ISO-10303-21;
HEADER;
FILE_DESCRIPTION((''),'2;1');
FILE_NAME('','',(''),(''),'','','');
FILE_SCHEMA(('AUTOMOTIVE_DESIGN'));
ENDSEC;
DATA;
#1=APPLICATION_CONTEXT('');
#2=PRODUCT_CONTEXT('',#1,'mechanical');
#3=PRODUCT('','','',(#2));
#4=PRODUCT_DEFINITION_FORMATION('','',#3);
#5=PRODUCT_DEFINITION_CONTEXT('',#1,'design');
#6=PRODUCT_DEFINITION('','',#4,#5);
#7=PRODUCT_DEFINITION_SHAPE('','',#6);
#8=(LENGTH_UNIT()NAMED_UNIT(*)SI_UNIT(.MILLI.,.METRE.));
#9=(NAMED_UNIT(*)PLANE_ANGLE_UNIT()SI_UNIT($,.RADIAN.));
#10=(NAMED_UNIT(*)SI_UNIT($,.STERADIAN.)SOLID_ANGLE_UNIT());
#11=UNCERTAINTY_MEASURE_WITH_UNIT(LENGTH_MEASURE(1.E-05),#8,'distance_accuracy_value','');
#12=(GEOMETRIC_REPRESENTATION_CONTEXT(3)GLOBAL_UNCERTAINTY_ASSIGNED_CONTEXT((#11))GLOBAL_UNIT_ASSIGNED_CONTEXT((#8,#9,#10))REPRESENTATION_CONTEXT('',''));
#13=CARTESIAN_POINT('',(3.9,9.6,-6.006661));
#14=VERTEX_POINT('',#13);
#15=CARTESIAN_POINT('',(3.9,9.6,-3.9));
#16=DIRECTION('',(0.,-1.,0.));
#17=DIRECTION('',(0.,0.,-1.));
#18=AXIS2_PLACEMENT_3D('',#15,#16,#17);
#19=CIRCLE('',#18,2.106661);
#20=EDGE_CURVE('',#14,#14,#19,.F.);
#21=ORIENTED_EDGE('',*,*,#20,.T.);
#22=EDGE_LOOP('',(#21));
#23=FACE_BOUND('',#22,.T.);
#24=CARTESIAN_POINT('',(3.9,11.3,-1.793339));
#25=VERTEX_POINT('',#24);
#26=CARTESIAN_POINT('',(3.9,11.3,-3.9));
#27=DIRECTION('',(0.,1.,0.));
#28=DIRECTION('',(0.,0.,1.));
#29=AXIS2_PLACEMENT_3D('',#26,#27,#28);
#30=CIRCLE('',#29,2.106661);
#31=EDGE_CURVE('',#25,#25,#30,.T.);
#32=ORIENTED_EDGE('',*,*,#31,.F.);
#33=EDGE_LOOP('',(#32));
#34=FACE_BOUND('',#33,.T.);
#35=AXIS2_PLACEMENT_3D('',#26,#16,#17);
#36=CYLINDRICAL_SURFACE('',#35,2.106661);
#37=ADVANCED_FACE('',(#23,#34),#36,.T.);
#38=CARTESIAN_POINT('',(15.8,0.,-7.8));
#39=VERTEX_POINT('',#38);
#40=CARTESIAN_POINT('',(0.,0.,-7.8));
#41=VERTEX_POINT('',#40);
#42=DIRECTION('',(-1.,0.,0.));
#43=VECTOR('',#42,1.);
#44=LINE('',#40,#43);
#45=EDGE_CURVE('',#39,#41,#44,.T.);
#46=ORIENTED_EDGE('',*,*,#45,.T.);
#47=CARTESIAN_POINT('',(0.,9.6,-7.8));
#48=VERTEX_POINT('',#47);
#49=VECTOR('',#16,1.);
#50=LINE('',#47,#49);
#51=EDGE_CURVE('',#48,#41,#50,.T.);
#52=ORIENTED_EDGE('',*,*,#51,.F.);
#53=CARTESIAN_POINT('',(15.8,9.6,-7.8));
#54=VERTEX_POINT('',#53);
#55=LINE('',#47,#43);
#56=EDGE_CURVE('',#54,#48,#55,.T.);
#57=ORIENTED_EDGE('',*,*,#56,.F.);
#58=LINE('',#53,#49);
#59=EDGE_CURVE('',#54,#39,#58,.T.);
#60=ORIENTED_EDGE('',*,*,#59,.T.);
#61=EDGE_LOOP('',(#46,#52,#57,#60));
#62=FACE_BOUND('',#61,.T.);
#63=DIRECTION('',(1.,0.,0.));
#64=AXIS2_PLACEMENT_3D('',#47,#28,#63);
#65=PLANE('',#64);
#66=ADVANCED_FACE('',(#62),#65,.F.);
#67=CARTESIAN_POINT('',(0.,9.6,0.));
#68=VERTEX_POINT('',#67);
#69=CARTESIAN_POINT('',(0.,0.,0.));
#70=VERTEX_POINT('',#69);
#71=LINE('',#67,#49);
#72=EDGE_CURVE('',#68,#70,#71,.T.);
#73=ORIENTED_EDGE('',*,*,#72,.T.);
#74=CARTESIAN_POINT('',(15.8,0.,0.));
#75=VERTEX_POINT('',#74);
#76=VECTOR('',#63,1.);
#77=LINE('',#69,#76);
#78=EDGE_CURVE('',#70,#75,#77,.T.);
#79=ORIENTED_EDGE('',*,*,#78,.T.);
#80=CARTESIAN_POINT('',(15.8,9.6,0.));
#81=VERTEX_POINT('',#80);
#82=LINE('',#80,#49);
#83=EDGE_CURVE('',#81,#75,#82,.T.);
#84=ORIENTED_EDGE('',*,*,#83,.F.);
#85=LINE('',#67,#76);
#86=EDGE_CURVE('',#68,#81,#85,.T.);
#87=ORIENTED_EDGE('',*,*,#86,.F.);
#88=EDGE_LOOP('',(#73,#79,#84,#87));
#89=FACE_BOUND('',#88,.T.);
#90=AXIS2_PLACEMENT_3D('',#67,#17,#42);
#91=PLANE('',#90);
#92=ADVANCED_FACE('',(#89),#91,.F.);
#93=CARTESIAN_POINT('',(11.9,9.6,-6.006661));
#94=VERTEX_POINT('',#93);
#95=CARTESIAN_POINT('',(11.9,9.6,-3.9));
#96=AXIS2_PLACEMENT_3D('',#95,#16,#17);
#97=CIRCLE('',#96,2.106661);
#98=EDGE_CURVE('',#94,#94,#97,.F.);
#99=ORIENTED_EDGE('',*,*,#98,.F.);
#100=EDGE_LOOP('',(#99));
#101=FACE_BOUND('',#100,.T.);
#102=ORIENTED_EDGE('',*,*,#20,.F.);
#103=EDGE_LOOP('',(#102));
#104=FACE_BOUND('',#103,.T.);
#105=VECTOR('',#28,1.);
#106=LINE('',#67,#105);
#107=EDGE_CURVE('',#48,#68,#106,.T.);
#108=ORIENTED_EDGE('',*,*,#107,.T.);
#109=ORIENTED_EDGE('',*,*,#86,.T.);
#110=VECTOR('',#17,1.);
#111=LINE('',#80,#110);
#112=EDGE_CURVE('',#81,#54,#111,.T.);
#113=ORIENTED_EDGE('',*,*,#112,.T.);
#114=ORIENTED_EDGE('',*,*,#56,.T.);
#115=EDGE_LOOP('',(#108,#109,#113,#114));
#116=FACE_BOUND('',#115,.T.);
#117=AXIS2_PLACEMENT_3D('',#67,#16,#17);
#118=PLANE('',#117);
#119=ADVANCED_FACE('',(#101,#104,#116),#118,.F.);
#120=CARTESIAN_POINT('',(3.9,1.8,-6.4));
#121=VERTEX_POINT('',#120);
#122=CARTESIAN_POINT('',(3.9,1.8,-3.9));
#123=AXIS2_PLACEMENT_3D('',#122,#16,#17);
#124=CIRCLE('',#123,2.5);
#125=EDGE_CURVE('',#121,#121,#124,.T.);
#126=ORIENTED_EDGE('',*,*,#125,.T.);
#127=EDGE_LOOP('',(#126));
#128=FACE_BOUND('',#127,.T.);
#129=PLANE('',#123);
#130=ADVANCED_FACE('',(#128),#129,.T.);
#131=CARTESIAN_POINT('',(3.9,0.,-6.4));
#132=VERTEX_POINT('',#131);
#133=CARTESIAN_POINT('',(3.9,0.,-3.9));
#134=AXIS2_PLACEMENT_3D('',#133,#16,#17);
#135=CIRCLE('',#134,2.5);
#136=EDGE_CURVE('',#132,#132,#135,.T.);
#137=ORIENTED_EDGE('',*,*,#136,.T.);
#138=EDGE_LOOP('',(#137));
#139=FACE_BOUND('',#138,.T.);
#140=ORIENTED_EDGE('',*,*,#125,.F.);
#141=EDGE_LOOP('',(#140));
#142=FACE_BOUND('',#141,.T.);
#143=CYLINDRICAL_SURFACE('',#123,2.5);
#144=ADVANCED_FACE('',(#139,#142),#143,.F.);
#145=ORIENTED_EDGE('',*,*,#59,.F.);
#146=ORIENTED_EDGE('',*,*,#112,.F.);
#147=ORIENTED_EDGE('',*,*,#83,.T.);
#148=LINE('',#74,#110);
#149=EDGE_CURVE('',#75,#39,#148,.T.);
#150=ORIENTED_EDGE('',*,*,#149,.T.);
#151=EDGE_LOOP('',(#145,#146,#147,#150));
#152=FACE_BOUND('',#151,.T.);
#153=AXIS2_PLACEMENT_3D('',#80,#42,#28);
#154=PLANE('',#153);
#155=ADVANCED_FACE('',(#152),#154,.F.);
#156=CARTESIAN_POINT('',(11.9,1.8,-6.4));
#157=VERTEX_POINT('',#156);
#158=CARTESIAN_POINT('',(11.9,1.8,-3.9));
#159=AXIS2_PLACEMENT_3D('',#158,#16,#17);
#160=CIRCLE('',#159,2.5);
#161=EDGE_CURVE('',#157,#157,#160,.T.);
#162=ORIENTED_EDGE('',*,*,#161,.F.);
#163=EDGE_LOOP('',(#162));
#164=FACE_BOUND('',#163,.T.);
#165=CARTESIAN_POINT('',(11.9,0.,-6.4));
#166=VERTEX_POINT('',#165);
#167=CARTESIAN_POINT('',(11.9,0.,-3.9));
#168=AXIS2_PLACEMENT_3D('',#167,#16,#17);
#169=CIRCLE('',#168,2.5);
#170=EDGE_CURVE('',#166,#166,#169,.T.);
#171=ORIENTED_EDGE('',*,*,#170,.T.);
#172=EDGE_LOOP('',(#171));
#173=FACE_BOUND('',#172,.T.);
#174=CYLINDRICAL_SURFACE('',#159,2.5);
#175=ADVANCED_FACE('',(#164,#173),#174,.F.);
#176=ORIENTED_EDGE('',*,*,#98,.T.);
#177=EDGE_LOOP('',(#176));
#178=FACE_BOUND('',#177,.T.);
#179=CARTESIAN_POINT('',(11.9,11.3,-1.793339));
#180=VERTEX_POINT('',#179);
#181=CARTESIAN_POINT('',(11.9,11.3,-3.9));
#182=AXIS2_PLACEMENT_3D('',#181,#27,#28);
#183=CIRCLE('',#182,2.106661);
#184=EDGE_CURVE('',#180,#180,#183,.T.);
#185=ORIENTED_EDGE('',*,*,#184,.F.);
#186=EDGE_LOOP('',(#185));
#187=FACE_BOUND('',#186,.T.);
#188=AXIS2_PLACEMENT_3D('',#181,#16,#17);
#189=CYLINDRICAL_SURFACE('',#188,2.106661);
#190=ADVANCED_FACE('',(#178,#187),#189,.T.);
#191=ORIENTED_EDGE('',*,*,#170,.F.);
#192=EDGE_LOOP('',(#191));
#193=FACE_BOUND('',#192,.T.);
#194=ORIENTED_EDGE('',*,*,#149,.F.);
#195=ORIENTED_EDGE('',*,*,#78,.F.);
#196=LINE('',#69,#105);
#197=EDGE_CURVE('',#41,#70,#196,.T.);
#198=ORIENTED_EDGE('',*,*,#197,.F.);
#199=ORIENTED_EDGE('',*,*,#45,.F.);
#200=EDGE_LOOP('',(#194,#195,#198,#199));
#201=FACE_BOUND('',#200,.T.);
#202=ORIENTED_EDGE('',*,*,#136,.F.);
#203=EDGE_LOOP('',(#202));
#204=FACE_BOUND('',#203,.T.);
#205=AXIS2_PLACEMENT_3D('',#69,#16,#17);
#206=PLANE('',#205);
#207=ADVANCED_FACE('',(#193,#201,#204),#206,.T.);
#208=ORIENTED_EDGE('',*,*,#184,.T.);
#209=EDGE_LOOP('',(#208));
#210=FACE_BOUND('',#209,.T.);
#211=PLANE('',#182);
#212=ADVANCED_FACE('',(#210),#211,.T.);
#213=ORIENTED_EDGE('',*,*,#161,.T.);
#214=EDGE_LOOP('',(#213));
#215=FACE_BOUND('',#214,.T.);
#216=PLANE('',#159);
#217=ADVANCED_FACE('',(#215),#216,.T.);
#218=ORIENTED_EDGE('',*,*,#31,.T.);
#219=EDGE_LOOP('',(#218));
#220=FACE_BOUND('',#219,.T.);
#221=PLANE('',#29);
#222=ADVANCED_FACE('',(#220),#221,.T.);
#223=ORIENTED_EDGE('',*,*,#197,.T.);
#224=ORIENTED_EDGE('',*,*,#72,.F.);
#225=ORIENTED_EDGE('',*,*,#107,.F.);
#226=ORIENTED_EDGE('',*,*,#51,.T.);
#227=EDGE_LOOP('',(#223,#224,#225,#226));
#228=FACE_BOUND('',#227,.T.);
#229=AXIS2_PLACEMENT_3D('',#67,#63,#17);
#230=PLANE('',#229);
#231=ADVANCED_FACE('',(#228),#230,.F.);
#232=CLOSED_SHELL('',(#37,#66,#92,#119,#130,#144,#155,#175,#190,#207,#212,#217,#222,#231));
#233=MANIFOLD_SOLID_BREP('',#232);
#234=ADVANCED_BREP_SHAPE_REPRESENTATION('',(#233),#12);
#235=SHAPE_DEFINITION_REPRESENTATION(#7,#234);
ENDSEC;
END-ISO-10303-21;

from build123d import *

# Parameters (mm, degrees)
SKETCH_1_W          = 15.8
SKETCH_1_H          = 7.8
EXTRUDE_2_DEPTH     = 9.6
SKETCH_2_R          = 2.106660513
EXTRUDE_3_DEPTH     = 1.7
SKETCH_3_R          = 2.5
CUT_EXTRUDE_1_DEPTH = 1.8


with BuildPart() as part:
    # Эскиз1 → Бобышка-Вытянуть2 (new body)
    with BuildSketch(Plane(origin=(0, 0, 0), x_dir=(1, 0, 0), z_dir=(0, 1, 0))):
        with Locations((7.9, 3.9)):
            Rectangle(SKETCH_1_W, SKETCH_1_H)
    extrude(amount=EXTRUDE_2_DEPTH)

    # Эскиз2 → Бобышка-Вытянуть3 (add)
    with BuildSketch(Plane(origin=(0, 9.6, 0), x_dir=(1, 0, 0), z_dir=(0, 1, 0))):
        with Locations((3.9, 3.9)):
            Circle(SKETCH_2_R)
        with Locations((11.9, 3.9)):
            Circle(SKETCH_2_R)
    extrude(amount=EXTRUDE_3_DEPTH)

    # Эскиз3 → Вырез-Вытянуть1 (cut)
    with BuildSketch(Plane.XZ):
        with Locations((11.9, -3.9)):
            Circle(SKETCH_3_R)
        with Locations((3.9, -3.9)):
            Circle(SKETCH_3_R)
    extrude(amount=-CUT_EXTRUDE_1_DEPTH, mode=Mode.SUBTRACT)


solid = part.part
